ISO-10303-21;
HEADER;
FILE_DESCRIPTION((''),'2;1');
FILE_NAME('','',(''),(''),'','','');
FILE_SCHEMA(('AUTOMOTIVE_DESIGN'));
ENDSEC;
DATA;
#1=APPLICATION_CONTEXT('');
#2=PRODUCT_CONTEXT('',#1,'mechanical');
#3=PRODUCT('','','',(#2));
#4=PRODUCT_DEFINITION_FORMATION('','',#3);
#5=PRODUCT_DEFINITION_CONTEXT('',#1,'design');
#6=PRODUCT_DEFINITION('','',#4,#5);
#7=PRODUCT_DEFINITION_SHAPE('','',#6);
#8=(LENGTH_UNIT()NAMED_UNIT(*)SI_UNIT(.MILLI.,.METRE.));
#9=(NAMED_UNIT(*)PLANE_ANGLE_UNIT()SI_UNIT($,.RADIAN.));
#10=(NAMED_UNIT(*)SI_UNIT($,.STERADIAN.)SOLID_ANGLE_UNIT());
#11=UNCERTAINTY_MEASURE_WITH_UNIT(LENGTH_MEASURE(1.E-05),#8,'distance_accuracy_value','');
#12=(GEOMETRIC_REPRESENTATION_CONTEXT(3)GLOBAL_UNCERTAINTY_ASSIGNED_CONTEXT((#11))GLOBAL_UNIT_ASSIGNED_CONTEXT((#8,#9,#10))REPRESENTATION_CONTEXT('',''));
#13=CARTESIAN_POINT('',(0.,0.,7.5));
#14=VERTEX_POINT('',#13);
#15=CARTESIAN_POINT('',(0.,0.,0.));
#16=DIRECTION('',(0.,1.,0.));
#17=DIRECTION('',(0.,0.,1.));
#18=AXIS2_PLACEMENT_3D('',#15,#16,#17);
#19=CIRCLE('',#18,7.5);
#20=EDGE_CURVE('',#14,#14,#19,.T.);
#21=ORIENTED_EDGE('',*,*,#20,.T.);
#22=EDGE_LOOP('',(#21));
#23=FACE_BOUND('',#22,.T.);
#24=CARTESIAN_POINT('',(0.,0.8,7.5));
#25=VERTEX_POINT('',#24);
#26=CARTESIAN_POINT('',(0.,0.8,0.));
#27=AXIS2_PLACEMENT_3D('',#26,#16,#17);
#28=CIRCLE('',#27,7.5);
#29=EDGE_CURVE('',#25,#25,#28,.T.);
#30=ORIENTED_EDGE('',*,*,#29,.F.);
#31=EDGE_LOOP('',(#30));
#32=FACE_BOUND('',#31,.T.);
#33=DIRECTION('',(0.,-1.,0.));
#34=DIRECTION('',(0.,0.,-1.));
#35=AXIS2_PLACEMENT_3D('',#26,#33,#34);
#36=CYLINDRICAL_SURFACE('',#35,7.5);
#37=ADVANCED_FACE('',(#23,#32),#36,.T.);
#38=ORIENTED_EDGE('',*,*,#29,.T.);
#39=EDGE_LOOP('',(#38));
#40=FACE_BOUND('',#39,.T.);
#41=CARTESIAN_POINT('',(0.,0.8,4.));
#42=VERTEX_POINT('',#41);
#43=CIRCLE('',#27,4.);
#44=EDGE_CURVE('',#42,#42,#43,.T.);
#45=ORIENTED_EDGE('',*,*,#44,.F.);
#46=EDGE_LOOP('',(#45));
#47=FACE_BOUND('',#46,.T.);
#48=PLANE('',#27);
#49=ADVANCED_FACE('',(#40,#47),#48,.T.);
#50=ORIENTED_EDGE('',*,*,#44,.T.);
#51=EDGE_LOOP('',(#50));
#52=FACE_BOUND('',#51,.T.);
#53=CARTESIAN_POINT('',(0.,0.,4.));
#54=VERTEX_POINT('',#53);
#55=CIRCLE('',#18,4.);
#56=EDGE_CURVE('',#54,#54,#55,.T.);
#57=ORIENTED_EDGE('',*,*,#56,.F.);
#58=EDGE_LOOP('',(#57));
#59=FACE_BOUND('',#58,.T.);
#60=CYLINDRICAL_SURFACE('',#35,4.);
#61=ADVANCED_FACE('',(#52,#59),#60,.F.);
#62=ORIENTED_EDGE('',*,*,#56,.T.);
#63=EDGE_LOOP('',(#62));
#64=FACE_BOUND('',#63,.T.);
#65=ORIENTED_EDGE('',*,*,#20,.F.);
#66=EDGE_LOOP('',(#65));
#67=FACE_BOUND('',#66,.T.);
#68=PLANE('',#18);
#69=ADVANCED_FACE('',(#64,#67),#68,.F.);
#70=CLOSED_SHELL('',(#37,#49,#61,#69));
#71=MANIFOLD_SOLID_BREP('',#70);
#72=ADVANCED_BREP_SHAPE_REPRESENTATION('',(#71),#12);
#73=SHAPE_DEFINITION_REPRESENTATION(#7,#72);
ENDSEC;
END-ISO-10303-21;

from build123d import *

# Parameters (mm, degrees)
SKETCH1_R           = 7.5
SKETCH1_R_2         = 4
BOSS_EXTRUDE1_DEPTH = 0.8


with BuildPart() as part:
    # Sketch1 → Boss-Extrude1 (new body)
    with BuildSketch(Plane(origin=(0, 0, 0), x_dir=(1, 0, 0), z_dir=(0, 1, 0))):
        Circle(SKETCH1_R)
        Circle(SKETCH1_R_2, mode=Mode.SUBTRACT)
    extrude(amount=BOSS_EXTRUDE1_DEPTH)


solid = part.part
